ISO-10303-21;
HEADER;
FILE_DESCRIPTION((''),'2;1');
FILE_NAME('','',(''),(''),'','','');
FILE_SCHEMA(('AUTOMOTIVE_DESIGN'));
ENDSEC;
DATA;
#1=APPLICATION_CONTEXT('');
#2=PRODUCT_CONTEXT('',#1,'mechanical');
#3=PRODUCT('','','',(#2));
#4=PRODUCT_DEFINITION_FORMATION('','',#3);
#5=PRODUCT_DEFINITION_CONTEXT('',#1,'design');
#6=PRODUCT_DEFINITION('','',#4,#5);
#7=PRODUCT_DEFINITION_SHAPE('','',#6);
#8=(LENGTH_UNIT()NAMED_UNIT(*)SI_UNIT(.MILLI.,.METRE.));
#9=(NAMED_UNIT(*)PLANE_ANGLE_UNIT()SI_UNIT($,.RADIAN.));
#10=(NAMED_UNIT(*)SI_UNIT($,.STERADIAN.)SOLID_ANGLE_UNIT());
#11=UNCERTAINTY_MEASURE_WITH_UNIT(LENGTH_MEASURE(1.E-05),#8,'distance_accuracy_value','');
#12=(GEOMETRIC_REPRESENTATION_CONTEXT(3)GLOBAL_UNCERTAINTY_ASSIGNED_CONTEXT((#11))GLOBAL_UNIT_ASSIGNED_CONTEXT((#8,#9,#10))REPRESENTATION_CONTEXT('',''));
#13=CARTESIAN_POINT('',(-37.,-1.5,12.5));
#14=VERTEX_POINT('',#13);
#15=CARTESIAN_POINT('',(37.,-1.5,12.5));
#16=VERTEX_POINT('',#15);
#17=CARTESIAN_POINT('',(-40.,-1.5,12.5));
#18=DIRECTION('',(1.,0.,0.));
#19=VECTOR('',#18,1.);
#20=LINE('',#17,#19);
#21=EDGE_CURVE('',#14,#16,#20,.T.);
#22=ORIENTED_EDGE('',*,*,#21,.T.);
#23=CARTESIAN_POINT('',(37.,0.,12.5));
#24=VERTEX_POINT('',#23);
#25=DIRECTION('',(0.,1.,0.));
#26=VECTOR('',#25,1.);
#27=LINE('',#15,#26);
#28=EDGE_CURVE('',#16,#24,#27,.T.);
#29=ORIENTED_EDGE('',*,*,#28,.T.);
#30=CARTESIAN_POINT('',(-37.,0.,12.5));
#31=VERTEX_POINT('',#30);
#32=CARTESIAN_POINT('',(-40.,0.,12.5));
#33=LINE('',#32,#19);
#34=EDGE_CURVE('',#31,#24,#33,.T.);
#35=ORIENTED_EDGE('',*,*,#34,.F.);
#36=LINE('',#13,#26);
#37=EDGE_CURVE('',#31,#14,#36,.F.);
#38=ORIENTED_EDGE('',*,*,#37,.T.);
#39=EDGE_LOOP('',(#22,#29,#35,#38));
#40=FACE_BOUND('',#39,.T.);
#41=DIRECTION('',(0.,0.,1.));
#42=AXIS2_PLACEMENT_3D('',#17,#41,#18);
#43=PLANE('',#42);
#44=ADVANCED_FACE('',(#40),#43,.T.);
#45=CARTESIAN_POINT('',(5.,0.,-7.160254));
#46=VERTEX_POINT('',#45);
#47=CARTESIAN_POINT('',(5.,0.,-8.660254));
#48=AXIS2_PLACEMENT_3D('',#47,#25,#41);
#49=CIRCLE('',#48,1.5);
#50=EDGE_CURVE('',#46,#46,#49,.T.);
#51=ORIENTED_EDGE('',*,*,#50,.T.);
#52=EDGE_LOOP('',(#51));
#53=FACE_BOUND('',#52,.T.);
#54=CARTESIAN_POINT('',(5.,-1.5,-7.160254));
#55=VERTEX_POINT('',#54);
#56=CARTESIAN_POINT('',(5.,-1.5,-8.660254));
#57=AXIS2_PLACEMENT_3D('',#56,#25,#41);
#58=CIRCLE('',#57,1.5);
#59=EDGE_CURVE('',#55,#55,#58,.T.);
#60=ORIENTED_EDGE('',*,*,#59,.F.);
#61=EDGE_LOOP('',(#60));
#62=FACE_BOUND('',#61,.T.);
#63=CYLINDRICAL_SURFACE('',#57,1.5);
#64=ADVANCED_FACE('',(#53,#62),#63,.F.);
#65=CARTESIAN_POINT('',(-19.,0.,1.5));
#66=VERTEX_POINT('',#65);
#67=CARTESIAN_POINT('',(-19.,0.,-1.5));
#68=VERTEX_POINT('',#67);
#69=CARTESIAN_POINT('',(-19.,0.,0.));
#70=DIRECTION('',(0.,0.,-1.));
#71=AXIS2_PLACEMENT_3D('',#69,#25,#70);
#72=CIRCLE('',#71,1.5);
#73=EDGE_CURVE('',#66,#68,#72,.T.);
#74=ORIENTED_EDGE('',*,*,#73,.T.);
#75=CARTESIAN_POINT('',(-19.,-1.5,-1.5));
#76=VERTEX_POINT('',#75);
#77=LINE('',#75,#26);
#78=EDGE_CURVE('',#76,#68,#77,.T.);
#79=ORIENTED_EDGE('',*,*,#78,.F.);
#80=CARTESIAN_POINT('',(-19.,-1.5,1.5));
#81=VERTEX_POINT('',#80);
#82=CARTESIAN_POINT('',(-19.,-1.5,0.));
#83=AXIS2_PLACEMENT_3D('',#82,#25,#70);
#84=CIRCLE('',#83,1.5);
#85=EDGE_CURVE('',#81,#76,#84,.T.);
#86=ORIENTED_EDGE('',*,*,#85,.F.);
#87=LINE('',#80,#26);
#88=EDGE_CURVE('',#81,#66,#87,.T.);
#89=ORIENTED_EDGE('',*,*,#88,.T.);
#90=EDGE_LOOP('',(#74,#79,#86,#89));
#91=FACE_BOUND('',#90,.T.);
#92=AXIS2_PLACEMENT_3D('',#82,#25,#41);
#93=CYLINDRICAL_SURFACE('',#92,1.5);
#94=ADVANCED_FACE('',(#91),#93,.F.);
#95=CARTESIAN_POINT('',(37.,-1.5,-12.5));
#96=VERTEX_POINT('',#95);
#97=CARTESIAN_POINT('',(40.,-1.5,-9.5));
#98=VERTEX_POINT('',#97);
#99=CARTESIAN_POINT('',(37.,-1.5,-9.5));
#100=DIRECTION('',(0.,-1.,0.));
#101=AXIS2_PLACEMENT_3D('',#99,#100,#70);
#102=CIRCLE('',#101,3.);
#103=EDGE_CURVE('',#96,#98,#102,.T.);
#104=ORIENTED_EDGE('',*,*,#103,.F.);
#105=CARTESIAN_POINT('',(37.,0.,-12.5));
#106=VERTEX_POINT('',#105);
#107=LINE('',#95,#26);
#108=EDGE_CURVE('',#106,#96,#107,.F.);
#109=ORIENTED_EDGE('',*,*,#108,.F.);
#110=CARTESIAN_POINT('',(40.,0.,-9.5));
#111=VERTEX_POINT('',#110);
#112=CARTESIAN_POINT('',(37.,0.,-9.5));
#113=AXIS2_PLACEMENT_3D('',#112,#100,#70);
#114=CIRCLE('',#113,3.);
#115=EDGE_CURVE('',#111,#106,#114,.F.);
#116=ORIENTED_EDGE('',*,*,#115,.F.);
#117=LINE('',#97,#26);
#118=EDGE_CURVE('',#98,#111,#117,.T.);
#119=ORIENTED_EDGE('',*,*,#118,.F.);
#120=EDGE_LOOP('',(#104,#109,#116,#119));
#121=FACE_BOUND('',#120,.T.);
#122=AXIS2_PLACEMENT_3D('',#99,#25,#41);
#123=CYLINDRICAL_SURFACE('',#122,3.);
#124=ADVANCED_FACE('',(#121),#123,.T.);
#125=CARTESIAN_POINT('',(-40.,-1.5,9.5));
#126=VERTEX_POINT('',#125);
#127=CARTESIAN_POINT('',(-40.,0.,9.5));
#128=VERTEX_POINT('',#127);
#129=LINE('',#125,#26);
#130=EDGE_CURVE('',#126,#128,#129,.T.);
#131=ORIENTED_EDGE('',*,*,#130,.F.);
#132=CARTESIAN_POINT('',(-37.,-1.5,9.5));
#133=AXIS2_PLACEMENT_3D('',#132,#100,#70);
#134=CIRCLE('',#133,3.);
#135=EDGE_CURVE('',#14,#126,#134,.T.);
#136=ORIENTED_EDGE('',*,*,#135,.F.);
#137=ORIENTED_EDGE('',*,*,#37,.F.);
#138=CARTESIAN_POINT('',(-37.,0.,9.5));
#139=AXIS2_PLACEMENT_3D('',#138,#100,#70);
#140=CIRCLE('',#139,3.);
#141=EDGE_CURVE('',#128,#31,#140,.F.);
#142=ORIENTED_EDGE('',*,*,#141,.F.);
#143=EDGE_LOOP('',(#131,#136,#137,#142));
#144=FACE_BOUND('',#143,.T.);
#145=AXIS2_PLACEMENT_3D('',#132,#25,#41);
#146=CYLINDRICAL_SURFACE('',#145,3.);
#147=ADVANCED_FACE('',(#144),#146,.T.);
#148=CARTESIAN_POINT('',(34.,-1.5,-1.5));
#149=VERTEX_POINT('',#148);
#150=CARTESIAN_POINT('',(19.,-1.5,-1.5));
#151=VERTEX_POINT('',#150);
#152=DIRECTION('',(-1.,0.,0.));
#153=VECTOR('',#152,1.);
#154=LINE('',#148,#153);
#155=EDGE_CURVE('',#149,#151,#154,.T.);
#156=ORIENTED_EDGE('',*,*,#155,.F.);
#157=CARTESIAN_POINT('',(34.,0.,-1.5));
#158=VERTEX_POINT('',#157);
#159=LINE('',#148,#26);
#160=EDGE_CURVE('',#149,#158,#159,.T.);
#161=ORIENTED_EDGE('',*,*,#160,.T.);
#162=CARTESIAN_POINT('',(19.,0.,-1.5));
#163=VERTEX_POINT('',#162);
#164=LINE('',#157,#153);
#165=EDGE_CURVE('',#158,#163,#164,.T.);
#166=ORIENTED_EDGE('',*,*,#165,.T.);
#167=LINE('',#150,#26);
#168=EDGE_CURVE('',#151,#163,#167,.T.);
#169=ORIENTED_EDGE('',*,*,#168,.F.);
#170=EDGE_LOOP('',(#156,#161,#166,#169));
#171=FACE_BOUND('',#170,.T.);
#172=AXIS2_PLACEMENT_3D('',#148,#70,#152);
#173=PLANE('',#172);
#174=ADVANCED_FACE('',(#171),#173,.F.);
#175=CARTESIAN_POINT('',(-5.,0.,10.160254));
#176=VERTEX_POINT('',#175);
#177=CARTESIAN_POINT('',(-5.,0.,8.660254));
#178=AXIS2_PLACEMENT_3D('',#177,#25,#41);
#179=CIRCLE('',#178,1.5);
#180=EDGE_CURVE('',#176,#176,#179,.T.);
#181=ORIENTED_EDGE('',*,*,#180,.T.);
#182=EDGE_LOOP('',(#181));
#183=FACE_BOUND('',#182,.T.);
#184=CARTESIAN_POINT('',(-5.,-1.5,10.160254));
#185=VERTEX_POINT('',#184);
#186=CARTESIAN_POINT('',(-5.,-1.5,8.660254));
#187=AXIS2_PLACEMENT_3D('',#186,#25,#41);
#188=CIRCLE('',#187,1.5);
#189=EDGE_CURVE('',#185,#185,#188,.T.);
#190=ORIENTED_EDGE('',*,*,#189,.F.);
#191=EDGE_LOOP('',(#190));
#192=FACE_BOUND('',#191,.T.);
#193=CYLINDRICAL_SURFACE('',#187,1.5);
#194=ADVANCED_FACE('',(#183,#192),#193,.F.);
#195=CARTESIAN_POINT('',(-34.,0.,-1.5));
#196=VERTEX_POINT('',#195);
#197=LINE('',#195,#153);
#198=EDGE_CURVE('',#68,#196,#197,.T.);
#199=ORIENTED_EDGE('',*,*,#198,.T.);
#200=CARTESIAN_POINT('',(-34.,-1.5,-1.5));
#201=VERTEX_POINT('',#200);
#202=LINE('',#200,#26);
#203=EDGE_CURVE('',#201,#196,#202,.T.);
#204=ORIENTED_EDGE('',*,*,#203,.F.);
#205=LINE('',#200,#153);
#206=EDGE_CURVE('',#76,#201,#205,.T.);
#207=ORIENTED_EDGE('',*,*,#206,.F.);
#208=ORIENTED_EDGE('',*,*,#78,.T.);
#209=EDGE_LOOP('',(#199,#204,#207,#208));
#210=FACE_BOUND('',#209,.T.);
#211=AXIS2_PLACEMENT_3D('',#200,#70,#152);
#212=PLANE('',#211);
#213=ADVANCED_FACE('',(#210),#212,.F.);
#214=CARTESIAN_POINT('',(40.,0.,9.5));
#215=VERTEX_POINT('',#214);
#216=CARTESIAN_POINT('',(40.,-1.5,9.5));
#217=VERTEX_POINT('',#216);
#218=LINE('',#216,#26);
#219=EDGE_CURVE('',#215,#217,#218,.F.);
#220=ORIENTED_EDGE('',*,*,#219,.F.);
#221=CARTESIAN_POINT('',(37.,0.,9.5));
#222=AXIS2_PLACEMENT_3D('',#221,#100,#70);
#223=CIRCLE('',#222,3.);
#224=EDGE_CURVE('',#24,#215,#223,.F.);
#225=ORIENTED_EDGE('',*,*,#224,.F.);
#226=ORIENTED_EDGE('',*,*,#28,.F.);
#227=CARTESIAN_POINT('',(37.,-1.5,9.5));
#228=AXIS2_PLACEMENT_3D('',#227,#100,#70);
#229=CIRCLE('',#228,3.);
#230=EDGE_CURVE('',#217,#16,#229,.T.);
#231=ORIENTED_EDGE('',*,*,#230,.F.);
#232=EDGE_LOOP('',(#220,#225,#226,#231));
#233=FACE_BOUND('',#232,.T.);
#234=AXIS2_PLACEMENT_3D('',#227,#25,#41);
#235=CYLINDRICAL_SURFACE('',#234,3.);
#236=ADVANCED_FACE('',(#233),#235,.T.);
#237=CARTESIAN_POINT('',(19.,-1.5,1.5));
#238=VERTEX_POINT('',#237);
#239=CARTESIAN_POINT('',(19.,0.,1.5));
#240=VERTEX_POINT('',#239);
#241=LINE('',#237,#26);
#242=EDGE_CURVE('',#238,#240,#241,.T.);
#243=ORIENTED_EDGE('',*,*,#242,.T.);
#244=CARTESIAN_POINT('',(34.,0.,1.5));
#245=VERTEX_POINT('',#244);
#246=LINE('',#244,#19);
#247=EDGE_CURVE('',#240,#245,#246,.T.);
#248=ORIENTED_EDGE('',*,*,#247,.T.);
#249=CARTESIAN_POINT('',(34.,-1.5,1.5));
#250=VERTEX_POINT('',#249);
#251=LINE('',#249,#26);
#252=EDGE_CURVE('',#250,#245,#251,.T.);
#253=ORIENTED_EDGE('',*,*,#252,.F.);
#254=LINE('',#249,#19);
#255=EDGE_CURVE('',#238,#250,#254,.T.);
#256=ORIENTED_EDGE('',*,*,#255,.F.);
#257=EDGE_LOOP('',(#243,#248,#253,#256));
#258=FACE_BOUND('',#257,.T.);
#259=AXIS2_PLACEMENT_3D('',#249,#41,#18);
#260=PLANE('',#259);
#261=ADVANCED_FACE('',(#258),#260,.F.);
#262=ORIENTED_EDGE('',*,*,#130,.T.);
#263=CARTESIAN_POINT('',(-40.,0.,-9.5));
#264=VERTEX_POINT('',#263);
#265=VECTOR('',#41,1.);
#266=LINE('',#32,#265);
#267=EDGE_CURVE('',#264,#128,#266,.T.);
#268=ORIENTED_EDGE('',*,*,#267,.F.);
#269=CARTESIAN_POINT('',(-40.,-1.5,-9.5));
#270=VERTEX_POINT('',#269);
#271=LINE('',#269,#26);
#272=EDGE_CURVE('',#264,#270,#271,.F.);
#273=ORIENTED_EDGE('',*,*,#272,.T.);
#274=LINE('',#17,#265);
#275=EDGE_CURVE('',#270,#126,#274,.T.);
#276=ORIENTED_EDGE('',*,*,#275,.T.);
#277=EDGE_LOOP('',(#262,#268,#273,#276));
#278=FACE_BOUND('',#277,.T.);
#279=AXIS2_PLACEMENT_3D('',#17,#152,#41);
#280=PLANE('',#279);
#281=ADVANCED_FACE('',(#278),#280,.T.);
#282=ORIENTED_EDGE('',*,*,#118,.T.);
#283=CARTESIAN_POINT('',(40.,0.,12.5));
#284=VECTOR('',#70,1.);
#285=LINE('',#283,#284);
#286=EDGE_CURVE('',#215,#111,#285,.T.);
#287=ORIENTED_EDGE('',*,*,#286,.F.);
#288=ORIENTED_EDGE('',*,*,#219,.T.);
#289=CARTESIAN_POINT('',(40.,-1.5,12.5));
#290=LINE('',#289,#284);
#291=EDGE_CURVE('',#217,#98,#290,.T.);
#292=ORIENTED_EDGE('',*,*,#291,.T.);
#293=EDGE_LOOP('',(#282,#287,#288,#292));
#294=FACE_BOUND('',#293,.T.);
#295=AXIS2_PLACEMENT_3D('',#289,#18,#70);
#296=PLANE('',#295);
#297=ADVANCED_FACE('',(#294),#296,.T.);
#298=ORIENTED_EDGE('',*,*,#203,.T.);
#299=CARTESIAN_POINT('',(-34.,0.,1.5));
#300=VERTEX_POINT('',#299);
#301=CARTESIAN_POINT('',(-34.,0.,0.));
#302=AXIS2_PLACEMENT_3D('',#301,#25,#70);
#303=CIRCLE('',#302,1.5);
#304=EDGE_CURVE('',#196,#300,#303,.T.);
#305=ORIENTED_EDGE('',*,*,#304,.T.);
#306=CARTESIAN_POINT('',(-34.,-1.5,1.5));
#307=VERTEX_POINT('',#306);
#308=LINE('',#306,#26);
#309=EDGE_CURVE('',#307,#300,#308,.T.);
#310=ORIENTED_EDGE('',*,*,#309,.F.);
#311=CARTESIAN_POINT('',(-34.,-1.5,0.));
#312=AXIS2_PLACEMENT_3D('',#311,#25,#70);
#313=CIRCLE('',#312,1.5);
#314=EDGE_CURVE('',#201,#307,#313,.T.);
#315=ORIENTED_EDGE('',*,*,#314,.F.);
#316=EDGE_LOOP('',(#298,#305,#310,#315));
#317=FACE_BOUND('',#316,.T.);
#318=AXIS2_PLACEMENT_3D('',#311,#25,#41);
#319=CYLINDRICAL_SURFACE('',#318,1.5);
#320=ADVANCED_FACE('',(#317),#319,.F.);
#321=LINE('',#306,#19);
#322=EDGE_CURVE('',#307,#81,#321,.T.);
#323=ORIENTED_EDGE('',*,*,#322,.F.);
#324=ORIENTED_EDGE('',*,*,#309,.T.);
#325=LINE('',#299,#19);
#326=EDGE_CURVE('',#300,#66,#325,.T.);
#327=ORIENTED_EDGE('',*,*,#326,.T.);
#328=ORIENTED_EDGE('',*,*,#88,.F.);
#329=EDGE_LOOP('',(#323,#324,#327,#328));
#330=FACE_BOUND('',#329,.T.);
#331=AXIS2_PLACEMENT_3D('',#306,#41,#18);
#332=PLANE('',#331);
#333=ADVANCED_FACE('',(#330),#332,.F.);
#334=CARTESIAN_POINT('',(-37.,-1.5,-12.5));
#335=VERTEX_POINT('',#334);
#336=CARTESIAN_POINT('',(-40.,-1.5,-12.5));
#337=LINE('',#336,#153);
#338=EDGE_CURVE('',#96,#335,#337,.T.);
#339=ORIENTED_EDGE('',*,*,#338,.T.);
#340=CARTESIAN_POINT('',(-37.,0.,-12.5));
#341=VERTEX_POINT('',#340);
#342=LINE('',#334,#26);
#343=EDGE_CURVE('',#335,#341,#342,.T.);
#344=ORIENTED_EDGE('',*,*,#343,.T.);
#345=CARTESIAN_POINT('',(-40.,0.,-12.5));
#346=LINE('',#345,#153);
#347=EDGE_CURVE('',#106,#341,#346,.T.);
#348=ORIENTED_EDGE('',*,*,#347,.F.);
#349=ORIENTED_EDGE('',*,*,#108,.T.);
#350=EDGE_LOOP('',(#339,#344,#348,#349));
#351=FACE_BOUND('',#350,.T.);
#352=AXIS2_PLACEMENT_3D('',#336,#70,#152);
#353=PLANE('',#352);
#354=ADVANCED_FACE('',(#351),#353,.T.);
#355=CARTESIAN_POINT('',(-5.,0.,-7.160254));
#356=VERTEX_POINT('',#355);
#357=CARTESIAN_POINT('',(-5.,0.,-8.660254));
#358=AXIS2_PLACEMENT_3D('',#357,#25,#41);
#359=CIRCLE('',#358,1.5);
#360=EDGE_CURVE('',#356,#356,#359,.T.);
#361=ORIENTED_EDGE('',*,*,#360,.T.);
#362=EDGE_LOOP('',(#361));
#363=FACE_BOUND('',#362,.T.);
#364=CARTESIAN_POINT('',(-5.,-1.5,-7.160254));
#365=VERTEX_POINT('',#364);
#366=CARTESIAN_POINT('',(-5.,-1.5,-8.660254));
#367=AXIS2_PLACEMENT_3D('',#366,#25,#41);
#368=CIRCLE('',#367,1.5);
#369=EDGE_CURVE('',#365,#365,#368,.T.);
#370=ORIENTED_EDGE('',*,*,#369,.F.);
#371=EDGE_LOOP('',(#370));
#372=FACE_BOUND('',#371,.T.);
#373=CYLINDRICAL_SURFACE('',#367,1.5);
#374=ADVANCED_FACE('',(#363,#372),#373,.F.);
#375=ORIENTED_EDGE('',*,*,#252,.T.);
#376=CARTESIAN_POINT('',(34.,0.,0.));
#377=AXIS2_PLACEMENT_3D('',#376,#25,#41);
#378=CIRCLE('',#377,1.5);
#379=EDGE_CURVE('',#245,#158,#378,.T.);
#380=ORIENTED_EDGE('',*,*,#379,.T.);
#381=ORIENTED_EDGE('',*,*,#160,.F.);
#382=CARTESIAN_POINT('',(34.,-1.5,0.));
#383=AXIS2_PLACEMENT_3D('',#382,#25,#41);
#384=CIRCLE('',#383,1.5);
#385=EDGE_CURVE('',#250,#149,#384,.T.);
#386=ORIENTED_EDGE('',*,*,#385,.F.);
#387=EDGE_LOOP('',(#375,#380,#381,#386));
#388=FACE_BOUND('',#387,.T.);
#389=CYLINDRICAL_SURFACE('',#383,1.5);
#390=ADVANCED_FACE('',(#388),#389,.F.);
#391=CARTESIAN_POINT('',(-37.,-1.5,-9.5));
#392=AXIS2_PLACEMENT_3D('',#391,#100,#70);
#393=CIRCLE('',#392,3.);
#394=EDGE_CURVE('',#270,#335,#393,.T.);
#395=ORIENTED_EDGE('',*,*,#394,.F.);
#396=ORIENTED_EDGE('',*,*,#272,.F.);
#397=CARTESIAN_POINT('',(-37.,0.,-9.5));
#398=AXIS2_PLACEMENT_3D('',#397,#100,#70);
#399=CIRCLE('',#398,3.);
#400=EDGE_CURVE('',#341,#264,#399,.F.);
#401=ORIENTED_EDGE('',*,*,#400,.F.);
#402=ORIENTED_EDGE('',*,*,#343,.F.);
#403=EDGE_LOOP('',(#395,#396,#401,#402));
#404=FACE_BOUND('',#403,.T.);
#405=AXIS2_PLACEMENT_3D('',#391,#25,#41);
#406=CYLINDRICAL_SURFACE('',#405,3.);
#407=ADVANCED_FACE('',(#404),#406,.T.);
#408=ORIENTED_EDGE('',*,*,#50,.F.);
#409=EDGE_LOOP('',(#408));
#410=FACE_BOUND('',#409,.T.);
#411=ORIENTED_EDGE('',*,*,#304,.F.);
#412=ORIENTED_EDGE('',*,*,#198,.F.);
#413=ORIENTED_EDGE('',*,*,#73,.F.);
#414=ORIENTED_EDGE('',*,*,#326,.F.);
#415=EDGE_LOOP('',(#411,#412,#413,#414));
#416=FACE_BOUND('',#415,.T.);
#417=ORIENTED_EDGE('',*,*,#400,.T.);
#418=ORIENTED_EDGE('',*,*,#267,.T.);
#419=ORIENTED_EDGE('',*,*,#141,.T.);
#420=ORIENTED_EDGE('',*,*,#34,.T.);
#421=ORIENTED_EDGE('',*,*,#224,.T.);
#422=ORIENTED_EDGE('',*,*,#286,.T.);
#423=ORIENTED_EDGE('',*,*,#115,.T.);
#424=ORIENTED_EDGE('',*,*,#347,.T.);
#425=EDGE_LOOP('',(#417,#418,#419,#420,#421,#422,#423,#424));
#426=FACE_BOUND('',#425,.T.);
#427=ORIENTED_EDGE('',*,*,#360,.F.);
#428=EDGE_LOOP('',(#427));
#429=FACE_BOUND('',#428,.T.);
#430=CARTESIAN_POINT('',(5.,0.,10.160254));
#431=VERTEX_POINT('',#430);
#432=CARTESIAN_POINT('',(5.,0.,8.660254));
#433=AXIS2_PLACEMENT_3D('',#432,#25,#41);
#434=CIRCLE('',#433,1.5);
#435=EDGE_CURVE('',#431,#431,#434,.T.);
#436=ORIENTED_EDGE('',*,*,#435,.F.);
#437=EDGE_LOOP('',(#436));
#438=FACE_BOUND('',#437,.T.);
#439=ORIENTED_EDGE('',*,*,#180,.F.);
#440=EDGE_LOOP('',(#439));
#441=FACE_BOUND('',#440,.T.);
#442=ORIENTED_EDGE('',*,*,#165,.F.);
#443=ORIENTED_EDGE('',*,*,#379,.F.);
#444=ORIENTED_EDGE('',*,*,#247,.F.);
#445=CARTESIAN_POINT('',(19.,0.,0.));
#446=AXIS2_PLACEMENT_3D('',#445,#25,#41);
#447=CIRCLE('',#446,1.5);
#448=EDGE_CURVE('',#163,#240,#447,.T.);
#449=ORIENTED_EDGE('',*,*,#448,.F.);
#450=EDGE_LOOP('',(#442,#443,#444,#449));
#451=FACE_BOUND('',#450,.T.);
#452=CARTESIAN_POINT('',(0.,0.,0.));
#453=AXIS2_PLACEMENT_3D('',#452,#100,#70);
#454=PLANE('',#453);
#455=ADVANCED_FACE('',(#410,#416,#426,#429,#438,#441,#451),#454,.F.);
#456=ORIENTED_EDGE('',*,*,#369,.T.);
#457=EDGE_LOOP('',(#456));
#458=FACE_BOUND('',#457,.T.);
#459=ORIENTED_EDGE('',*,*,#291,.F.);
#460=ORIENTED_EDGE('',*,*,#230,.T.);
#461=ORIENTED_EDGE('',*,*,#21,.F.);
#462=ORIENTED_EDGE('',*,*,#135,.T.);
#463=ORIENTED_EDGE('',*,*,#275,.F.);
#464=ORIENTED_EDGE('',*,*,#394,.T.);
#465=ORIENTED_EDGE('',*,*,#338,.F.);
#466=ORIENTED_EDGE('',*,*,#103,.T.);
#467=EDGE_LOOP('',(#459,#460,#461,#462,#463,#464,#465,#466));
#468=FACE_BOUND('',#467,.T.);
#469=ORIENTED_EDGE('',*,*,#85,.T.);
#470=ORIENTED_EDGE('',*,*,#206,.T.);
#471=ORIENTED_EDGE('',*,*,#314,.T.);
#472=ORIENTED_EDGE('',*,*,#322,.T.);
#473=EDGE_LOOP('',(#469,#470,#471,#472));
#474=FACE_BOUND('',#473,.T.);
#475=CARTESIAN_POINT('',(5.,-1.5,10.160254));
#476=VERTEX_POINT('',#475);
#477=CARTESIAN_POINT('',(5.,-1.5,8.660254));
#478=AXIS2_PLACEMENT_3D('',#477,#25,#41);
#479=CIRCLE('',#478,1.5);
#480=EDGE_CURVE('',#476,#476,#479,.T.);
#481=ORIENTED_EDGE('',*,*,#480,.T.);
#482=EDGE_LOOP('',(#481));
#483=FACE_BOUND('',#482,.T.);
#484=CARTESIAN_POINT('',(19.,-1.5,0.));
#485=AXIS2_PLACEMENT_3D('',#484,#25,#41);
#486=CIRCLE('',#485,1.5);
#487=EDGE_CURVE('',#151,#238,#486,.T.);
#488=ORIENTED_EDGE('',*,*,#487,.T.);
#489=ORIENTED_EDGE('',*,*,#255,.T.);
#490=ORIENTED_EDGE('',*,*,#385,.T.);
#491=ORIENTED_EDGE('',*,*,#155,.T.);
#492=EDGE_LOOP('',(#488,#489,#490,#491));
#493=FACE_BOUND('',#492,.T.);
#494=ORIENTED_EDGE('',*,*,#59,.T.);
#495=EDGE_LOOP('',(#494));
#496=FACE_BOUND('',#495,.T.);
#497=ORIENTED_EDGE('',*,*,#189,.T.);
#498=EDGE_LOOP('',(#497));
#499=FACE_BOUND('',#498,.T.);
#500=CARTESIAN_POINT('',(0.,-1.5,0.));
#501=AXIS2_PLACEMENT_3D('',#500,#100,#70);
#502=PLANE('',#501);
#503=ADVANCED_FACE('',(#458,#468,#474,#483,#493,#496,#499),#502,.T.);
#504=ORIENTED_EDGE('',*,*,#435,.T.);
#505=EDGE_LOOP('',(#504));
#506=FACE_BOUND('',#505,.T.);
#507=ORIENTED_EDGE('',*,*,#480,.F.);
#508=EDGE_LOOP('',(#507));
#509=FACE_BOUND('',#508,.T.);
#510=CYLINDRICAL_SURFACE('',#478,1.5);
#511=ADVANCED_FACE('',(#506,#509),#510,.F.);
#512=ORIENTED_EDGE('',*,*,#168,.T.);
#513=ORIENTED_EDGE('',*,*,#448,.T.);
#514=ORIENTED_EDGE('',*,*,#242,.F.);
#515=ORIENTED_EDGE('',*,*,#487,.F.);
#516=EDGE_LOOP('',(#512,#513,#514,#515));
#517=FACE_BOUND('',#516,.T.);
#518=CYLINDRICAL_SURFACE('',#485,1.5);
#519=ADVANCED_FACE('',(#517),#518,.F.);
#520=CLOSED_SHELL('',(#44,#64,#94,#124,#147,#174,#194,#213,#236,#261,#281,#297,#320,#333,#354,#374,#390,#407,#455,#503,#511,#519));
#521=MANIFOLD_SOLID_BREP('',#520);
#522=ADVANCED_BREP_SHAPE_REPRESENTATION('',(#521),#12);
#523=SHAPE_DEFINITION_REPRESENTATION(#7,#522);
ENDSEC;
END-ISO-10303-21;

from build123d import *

# Parameters (mm, degrees)
SKETCH2_W           = 80
SKETCH2_H           = 25
SKETCH2_R           = 1.5
BOSS_EXTRUDE1_DEPTH = 1.5
FILLET2_R           = 3


with BuildPart() as part:
    # Sketch2 → Boss-Extrude1 (new body)
    with BuildSketch(Plane(origin=(0, 0, 0), x_dir=(1, 0, 0), z_dir=(0, 1, 0))):
        Rectangle(SKETCH2_W, SKETCH2_H)
        with Locations(Location((5, -8.660254038, 0), (0, 0, 270))):
            Circle(SKETCH2_R, mode=Mode.SUBTRACT)
        with Locations(Location((-5, -8.660254038, 0), (0, 0, 270))):
            Circle(SKETCH2_R, mode=Mode.SUBTRACT)
        with Locations(Location((-5, 8.660254038, 0), (0, 0, 270))):
            Circle(SKETCH2_R, mode=Mode.SUBTRACT)
        with Locations(Location((5, 8.660254038, 0), (0, 0, 270))):
            Circle(SKETCH2_R, mode=Mode.SUBTRACT)
        with BuildLine():
            Line((34, -1.5), (19, -1.5))
            ThreePointArc((19, -1.5), (17.5, 0), (19, 1.5))
            Line((19, 1.5), (34, 1.5))
            ThreePointArc((34, 1.5), (35.5, 0), (34, -1.5))
        make_face(mode=Mode.SUBTRACT)
        with BuildLine():
            Line((-34, -1.5), (-19, -1.5))
            ThreePointArc((-19, -1.5), (-17.5, 0), (-19, 1.5))
            Line((-19, 1.5), (-34, 1.5))
            ThreePointArc((-34, 1.5), (-35.5, 0), (-34, -1.5))
        make_face(mode=Mode.SUBTRACT)
    extrude(amount=-BOSS_EXTRUDE1_DEPTH)

    # Fillet2
    fillet2_edges = [part.edges().sort_by_distance(p)[0] for p in [
        (40, -0.75, 12.5),
        (-40, -0.75, 12.5),
        (-40, -0.75, -12.5),
        (40, -0.75, -12.5),
    ]]
    fillet(fillet2_edges, radius=FILLET2_R)


solid = part.part
